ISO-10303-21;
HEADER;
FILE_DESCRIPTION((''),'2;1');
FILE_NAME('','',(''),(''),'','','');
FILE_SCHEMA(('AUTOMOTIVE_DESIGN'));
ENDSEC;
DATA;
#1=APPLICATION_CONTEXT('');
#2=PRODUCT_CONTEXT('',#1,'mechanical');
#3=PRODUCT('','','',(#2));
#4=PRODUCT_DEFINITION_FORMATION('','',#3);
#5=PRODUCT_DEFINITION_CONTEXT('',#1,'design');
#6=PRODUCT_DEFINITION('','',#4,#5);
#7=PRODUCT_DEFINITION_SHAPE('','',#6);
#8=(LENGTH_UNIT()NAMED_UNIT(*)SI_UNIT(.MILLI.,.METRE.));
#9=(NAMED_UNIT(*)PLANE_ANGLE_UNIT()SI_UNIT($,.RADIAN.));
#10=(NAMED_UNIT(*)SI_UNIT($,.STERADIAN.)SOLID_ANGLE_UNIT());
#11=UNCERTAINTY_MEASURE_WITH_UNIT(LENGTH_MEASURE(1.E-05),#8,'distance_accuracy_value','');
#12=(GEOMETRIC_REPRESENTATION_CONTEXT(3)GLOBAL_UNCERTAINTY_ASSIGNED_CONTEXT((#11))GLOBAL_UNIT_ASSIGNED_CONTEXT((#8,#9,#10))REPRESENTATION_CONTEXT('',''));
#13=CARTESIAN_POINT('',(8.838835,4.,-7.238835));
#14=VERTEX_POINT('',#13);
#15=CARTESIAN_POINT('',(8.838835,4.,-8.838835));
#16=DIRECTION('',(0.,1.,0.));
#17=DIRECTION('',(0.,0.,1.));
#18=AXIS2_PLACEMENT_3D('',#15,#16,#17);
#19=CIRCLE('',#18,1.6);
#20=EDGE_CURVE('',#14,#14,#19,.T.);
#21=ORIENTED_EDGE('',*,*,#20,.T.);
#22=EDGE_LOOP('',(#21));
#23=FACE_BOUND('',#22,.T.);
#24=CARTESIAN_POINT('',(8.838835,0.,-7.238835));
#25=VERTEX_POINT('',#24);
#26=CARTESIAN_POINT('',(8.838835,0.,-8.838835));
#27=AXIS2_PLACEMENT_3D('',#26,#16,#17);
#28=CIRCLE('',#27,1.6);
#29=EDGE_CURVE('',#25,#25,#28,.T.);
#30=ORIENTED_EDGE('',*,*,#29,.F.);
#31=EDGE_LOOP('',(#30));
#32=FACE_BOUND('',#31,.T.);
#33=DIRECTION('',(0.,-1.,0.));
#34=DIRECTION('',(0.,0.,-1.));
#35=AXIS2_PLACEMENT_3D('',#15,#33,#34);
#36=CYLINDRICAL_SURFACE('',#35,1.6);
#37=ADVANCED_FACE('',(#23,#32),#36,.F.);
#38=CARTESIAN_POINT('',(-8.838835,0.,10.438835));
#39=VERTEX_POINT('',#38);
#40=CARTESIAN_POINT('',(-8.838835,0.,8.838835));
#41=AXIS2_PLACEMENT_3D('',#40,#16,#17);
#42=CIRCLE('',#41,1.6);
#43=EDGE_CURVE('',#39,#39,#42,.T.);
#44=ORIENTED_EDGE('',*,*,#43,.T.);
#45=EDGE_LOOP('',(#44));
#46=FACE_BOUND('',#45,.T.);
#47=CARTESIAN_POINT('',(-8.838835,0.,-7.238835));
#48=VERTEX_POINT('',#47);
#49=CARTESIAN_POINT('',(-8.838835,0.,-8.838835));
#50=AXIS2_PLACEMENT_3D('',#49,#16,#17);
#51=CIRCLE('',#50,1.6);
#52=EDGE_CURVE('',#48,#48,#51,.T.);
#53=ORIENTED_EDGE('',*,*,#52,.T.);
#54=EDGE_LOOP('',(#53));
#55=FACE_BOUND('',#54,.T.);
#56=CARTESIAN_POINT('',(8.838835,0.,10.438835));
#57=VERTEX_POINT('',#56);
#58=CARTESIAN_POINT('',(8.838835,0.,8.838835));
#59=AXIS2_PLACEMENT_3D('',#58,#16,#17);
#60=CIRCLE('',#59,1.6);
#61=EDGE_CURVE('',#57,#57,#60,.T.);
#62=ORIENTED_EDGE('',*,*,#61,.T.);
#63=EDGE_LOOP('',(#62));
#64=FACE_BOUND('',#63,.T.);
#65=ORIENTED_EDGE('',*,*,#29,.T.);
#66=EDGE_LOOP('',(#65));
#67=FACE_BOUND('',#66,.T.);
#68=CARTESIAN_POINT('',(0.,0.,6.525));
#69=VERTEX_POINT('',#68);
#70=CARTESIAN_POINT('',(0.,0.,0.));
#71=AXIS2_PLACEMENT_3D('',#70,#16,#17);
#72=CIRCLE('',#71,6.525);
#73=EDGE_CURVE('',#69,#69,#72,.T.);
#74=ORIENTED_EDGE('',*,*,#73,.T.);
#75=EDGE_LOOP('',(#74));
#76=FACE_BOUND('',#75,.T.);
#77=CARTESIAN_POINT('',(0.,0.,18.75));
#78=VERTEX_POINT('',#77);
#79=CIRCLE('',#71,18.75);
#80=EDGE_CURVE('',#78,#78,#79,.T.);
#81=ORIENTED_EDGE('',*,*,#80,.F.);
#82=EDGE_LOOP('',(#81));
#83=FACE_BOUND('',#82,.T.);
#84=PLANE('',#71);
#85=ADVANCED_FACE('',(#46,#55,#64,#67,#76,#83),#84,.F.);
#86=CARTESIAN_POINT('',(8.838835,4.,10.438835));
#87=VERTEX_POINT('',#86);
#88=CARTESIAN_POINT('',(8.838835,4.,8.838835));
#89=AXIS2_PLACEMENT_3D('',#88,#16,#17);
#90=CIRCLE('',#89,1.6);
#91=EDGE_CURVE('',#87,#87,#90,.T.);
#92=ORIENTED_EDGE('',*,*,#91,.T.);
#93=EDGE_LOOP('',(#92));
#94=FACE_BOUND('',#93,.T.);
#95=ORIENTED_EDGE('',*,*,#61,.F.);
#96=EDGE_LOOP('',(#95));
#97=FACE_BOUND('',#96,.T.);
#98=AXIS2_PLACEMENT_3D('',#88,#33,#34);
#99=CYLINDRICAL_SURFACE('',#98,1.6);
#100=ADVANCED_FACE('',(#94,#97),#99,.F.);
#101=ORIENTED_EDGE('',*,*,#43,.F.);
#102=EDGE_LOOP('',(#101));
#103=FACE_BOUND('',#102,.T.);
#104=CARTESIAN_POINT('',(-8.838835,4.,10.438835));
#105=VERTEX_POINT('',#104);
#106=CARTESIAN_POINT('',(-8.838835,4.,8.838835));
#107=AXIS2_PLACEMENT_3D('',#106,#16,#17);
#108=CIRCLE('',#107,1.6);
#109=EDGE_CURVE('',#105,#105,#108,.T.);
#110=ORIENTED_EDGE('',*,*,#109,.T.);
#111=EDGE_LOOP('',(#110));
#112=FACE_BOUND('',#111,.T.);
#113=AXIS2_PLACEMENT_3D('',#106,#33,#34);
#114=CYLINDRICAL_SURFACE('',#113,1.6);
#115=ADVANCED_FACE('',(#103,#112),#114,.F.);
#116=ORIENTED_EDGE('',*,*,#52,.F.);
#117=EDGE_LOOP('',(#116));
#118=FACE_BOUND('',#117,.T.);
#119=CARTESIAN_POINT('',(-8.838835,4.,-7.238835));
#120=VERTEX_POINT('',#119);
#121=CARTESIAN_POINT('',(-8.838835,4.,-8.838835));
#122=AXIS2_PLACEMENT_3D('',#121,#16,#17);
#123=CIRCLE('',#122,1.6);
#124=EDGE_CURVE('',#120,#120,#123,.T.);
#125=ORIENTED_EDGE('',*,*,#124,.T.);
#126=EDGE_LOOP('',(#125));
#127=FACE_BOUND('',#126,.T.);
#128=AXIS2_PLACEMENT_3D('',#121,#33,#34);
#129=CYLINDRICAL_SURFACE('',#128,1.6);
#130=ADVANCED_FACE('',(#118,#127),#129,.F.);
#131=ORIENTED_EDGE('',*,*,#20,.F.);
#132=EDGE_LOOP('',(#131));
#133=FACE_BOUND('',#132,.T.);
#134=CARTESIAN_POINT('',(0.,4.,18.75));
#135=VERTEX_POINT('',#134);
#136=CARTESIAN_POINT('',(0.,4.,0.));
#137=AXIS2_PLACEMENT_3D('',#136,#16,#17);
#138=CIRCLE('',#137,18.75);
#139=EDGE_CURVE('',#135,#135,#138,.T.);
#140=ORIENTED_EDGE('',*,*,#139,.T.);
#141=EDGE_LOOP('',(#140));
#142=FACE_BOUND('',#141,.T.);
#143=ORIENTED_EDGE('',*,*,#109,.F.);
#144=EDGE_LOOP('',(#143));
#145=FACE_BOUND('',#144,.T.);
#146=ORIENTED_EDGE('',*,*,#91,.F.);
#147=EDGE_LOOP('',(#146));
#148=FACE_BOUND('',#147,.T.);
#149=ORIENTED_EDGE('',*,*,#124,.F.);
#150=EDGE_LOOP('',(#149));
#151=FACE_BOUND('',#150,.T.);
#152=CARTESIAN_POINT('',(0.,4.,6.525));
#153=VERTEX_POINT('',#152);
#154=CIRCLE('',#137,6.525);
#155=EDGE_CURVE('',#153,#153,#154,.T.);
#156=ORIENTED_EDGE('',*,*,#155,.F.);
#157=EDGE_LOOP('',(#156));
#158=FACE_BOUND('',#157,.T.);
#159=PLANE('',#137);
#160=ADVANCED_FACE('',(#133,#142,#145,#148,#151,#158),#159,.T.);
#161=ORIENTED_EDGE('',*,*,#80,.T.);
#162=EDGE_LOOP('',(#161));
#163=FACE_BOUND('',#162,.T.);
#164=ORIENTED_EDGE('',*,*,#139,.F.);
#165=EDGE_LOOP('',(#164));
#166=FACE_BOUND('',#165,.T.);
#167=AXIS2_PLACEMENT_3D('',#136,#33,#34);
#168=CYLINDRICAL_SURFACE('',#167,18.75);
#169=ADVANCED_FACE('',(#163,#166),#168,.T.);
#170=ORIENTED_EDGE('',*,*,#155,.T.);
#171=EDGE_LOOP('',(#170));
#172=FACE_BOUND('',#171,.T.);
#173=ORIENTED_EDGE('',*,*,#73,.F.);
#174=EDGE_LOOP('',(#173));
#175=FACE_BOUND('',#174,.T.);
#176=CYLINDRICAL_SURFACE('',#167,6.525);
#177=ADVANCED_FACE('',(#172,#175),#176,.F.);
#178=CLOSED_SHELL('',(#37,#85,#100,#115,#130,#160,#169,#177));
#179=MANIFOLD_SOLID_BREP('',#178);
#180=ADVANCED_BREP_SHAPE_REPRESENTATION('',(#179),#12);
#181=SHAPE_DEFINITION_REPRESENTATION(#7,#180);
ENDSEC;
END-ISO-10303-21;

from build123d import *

# Parameters (mm, degrees)
SKETCH1_R           = 18.75
SKETCH1_R_2         = 1.6
SKETCH1_R_3         = 6.525
BOSS_EXTRUDE1_DEPTH = 4


with BuildPart() as part:
    # Sketch1 → Boss-Extrude1 (new body)
    with BuildSketch(Plane(origin=(0, 0, 0), x_dir=(1, 0, 0), z_dir=(0, 1, 0))):
        with Locations(Location((0, 0, 0), (0, 0, 270))):
            Circle(SKETCH1_R)
        with Locations(Location((-8.838834765, 8.838834765, 0), (0, 0, 270))):
            Circle(SKETCH1_R_2, mode=Mode.SUBTRACT)
        with Locations(Location((-8.838834765, -8.838834765, 0), (0, 0, 270))):
            Circle(SKETCH1_R_2, mode=Mode.SUBTRACT)
        with Locations(Location((8.838834765, -8.838834765, 0), (0, 0, 270))):
            Circle(SKETCH1_R_2, mode=Mode.SUBTRACT)
        with Locations(Location((8.838834765, 8.838834765, 0), (0, 0, 270))):
            Circle(SKETCH1_R_2, mode=Mode.SUBTRACT)
        with Locations(Location((0, 0, 0), (0, 0, 270))):
            Circle(SKETCH1_R_3, mode=Mode.SUBTRACT)
    extrude(amount=BOSS_EXTRUDE1_DEPTH)


solid = part.part
